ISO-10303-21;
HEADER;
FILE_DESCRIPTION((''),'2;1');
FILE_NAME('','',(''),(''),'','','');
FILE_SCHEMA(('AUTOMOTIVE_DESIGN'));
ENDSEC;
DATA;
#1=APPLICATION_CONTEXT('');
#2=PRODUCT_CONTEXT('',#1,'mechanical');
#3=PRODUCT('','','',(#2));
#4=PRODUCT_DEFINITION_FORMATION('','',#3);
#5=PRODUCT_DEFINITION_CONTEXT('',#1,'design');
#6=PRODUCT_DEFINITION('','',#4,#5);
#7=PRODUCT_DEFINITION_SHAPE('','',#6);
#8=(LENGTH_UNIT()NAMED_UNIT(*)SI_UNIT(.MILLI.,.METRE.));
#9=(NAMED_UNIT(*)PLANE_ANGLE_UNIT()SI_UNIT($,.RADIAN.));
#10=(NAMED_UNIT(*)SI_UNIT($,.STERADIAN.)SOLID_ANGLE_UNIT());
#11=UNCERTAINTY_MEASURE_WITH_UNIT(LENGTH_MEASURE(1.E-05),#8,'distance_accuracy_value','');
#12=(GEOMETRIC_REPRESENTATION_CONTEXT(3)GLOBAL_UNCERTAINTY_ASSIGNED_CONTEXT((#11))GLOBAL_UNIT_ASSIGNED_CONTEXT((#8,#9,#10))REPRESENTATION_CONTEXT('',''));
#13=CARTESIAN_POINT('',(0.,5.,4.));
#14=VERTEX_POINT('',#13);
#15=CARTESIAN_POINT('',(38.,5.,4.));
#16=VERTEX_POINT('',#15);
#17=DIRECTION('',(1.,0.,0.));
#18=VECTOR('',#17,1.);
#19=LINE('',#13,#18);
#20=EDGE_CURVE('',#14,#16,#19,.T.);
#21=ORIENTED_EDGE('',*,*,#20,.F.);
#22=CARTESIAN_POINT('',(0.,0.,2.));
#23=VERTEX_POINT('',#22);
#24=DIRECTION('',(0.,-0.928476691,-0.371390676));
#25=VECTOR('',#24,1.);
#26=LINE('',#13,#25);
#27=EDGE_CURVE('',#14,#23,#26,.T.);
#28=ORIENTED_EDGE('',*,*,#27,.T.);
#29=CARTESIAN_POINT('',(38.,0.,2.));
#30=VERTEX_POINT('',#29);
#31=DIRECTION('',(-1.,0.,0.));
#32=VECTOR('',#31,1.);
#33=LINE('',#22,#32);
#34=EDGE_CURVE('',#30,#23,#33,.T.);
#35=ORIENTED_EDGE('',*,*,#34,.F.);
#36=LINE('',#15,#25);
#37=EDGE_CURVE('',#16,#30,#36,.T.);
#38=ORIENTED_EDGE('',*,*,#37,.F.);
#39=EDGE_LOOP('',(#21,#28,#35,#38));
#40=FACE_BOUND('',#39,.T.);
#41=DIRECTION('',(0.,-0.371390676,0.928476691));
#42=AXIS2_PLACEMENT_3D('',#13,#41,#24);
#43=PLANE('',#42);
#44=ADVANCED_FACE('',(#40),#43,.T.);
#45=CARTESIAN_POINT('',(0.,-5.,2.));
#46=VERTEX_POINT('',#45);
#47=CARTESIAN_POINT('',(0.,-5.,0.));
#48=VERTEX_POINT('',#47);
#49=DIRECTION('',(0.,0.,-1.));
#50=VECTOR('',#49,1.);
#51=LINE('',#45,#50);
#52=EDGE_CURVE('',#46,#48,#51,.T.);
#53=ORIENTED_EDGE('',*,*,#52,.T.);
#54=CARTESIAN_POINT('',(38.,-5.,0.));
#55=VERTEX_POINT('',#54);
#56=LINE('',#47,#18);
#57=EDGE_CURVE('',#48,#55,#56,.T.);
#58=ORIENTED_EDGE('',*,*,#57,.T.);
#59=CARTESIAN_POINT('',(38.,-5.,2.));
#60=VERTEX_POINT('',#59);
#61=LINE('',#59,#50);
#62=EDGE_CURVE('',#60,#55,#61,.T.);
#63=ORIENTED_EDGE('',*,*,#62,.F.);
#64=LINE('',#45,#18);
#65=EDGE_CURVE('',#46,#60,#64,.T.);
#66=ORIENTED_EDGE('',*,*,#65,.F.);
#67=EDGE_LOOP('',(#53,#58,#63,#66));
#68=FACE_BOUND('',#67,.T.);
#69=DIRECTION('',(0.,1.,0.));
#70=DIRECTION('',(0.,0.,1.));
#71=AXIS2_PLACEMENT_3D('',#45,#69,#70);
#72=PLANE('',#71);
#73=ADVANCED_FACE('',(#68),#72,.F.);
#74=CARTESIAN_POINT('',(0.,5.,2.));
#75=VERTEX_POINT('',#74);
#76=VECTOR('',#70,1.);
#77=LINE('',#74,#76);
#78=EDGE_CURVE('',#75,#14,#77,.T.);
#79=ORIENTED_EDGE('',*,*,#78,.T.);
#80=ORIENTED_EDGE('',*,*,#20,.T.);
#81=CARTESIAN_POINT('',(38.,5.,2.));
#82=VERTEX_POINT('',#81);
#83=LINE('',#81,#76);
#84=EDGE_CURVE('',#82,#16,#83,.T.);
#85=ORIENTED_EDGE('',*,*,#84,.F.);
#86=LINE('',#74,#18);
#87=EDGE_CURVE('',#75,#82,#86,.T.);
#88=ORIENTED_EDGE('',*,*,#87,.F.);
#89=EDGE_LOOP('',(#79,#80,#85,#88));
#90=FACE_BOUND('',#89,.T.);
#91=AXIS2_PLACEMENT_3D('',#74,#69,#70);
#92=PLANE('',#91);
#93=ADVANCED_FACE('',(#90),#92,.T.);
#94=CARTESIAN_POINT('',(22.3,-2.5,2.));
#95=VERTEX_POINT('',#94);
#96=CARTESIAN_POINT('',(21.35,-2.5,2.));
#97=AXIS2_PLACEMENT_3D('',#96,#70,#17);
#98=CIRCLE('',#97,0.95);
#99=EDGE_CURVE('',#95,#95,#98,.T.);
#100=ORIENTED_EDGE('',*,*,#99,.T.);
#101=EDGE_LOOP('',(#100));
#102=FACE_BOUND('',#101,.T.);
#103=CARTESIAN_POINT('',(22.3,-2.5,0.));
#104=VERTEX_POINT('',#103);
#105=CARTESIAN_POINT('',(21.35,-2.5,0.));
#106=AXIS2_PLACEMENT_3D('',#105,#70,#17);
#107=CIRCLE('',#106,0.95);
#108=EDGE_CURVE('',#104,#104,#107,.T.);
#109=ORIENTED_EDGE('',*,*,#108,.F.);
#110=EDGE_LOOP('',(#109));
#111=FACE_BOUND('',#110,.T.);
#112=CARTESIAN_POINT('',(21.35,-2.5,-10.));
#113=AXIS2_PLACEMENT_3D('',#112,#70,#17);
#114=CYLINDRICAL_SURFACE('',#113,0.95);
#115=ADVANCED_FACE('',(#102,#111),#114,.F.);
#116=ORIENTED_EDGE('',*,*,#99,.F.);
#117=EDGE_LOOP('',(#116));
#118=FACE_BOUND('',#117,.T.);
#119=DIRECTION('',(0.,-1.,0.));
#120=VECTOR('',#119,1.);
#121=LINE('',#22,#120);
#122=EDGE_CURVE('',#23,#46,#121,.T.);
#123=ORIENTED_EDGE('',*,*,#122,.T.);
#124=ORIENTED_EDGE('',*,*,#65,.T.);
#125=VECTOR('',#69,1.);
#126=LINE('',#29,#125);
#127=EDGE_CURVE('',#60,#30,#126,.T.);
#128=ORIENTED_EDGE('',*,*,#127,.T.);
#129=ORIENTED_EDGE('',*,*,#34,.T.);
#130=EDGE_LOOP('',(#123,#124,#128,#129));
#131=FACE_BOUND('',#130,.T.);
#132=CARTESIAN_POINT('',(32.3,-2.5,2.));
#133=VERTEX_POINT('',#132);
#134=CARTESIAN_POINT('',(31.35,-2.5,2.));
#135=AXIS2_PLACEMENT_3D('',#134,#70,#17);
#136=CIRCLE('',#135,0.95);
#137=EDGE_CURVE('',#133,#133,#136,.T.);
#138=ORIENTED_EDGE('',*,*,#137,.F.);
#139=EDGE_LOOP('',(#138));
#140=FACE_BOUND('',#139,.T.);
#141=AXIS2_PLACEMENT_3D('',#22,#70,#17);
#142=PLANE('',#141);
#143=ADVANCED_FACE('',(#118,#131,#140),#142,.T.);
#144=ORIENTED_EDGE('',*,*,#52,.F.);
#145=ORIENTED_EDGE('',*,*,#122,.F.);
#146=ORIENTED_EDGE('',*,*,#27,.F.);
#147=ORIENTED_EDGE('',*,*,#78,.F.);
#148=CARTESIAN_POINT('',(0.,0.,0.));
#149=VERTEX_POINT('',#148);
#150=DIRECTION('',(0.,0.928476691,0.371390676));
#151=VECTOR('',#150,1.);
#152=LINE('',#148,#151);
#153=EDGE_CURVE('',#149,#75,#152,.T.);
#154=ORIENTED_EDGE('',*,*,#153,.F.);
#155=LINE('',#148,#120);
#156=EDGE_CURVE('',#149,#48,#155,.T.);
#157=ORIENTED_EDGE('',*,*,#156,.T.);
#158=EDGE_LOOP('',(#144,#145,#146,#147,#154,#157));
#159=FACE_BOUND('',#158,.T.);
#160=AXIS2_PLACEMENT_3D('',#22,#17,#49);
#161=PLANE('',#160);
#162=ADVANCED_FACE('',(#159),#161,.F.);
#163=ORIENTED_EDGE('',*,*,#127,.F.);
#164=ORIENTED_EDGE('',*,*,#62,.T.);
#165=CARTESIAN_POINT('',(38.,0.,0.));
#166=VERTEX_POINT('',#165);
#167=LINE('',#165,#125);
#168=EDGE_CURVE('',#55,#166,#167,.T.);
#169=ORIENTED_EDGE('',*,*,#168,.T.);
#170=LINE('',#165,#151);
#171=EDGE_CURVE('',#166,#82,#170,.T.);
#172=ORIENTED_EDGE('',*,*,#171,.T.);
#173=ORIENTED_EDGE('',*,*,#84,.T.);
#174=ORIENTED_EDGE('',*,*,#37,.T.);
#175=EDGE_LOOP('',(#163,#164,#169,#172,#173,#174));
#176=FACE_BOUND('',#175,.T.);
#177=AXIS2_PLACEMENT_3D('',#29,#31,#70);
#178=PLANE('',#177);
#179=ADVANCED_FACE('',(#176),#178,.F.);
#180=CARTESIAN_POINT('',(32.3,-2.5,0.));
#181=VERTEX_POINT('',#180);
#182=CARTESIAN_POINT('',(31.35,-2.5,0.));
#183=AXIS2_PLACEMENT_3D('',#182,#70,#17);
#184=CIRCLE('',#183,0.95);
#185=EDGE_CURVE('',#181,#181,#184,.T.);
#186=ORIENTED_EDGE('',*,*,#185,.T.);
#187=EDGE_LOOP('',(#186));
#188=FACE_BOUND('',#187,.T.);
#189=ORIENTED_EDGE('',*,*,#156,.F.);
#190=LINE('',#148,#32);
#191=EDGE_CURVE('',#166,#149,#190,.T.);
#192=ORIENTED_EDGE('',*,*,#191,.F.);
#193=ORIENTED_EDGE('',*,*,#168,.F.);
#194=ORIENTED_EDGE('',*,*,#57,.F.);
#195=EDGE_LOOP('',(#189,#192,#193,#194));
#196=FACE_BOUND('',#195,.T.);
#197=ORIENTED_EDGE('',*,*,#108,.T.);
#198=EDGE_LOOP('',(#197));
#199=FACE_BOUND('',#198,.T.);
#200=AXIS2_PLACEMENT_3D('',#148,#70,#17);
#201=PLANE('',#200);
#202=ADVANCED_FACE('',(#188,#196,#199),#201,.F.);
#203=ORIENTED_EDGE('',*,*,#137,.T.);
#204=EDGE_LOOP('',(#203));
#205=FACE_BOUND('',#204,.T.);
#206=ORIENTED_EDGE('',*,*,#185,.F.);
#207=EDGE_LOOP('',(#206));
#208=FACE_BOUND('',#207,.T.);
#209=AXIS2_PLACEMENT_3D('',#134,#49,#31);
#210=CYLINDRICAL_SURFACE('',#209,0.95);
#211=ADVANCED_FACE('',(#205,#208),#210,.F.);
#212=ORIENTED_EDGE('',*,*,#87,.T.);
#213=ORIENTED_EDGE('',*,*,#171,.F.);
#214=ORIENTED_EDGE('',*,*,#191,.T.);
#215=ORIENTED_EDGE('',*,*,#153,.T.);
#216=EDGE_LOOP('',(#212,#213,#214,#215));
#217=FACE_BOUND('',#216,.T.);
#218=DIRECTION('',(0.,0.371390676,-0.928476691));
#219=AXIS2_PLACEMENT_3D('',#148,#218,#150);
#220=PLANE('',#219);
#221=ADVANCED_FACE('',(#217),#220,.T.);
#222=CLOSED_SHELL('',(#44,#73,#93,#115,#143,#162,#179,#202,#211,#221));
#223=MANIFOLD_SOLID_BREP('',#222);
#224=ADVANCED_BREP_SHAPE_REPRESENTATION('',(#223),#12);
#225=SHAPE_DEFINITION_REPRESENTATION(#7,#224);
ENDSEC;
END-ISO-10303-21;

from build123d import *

# Parameters (mm, degrees)
SKETCH_1_W          = 38
SKETCH_1_H          = 5
SKETCH_1_R          = 0.95
EXTRUDE_1_DEPTH     = 2
EXTRUDE_2_DEPTH     = 38
SKETCH_3_R          = 0.95
CUT_EXTRUDE_1_DEPTH = 12


with BuildPart() as part:
    # 草图1 → 凸台-拉伸1 (new body)
    with BuildSketch(Plane.XY):
        with Locations((19, -2.5)):
            Rectangle(SKETCH_1_W, SKETCH_1_H)
        with Locations((31.35, -2.5)):
            Circle(SKETCH_1_R, mode=Mode.SUBTRACT)
    extrude(amount=EXTRUDE_1_DEPTH)

    # 草图2 → 凸台-拉伸2 (add)
    with BuildSketch(Plane(origin=(38, 0, 0), x_dir=(0, 0, -1), z_dir=(1, 0, 0))):
        Polygon((0, 0), (-2, 5), (-4, 5), (-2, 0), align=None)
    extrude(amount=-EXTRUDE_2_DEPTH)

    # 草图3 → 切除-拉伸1 (cut)
    with BuildSketch(Plane.XY.offset(2)):
        with Locations((21.35, -2.5)):
            Circle(SKETCH_3_R)
    extrude(amount=-CUT_EXTRUDE_1_DEPTH, mode=Mode.SUBTRACT)


solid = part.part
